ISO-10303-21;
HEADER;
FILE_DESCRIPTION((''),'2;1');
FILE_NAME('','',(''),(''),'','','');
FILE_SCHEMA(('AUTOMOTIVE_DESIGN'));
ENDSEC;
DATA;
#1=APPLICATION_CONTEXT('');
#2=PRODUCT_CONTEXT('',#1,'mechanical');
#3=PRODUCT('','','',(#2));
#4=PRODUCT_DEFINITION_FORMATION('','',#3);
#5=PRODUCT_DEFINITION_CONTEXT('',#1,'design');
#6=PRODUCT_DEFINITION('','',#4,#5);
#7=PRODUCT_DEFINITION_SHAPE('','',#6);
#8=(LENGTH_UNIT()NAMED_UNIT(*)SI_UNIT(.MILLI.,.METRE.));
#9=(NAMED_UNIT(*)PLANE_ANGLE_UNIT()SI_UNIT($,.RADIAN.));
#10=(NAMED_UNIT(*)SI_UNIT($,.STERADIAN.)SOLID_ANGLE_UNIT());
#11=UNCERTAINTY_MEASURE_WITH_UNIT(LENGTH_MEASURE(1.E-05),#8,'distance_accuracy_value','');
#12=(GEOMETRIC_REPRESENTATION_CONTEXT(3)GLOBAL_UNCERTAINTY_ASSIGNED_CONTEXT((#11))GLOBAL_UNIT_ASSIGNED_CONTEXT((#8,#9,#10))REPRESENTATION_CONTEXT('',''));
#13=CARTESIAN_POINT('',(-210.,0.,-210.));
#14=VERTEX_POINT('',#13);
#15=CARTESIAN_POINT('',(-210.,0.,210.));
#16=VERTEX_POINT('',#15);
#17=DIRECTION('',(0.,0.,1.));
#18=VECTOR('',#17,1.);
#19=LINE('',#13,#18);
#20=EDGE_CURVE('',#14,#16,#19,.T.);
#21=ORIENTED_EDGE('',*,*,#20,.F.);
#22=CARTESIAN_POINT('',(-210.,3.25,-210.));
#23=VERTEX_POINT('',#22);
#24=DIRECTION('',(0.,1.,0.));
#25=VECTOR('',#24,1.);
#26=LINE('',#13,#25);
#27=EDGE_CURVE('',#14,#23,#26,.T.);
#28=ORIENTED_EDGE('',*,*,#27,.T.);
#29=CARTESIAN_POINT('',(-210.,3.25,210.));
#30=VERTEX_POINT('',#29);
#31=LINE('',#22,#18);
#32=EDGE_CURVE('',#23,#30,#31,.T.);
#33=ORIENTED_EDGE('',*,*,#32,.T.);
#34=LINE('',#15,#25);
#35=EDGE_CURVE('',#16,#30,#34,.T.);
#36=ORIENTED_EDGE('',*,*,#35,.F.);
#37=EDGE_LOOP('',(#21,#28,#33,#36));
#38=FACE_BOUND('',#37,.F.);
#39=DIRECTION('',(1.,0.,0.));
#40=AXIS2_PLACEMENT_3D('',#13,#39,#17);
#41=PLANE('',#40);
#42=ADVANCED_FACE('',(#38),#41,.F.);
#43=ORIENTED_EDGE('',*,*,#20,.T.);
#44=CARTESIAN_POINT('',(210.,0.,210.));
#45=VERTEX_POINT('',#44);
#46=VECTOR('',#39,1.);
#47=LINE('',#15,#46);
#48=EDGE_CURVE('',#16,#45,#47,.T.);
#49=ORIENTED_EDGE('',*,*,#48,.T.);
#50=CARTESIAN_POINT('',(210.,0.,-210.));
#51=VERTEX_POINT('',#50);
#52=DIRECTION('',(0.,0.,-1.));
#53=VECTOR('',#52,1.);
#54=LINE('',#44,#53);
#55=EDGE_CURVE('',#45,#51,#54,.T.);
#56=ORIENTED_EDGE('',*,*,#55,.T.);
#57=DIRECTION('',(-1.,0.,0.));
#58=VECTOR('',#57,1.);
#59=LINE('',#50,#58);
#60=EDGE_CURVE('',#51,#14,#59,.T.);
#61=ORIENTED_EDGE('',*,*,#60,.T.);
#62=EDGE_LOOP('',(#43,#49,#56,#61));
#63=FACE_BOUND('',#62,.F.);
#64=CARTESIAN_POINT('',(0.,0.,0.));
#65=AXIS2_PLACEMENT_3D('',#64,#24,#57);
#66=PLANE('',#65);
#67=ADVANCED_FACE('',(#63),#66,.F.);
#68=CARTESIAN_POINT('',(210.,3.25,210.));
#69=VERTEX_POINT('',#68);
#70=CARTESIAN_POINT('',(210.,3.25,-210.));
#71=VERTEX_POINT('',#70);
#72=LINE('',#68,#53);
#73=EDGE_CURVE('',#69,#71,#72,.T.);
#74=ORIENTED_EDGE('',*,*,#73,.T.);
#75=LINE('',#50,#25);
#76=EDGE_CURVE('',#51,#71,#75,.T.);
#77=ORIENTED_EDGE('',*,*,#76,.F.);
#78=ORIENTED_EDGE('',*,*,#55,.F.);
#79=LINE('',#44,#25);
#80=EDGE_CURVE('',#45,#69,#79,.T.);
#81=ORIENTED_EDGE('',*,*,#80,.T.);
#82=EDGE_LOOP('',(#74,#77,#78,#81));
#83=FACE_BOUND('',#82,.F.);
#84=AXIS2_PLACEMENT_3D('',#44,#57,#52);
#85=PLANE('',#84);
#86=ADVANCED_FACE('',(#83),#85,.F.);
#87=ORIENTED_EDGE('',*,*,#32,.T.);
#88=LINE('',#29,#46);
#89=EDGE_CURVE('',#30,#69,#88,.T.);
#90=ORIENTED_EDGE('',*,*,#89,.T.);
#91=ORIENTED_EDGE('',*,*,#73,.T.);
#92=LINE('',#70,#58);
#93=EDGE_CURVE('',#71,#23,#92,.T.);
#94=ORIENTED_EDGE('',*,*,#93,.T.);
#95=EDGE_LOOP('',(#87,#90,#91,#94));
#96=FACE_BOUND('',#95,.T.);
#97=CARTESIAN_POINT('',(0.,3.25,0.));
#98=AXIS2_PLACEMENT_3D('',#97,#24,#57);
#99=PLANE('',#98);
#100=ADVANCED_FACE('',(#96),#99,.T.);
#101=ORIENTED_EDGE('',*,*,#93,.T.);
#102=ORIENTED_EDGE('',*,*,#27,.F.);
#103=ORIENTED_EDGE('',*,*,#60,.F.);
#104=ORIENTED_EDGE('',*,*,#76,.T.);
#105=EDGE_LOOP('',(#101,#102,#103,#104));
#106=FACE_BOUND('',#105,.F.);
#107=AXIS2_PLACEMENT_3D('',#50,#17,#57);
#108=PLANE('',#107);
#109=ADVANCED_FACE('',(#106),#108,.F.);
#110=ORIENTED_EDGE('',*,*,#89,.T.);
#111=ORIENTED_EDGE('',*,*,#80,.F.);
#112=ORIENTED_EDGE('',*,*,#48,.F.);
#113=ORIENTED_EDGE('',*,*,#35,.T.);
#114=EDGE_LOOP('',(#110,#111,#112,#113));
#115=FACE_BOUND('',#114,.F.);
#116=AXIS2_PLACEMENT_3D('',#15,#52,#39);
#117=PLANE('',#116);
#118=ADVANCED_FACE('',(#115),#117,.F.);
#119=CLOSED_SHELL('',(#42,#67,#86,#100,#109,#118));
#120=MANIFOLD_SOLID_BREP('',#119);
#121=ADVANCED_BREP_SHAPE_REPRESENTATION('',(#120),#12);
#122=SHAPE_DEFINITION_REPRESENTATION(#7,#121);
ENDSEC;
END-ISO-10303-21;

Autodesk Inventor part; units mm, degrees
ref_plane "YZ Plane" through (0, 0, 0) normal (1, 0, 0) x (0, 1, 0)
ref_plane "XZ Plane" through (0, 0, 0) normal (0, 1, 0) x (-1, 0, 0)
ref_plane "XY Plane" through (0, 0, 0) normal (0, 0, 1) x (1, 0, 0)
sketch "Sketch1" plane through (0, 0, 0) normal (0, 1, 0) x (-1, 0, 0)
  line L0 (210, 210) -> (-210, 210)
  line L1 (-210, 210) -> (-210, -210)
  line L2 (-210, -210) -> (210, -210)
  line L3 (210, -210) -> (210, 210)
  line L4 (210, 210) -> (-210, -210) construction
  line L5 (-210, 210) -> (210, -210) construction
  point P0 (0, 0)
  dimension "d0" = 420
  dimension "d1" = 420
extrude "Extrusion1" add sketch "Sketch1" along normal blind 3.25
sketch "Sketch3" plane through (0, 3.25, 0) normal (0, 1, 0) x (1, 0, 0)
  line L0 (210, -210) -> (210, 210) construction
  line L1 (210, 210) -> (-210, 210) construction
  line L2 (-210, 210) -> (-210, -210) construction
  line L3 (-210, -210) -> (210, -210) construction
  line L4 (-200, 200) -> (200, 200)
  line L5 (200, 200) -> (200, -200)
  line L6 (200, -200) -> (-200, -200)
  line L7 (-200, -200) -> (-200, 200)
  line L8 (-200, 200) -> (200, -200) construction
  line L9 (200, 200) -> (-200, -200) construction
  point P0 (0, 0)
  dimension "d9" = 400
  dimension "d10" = 400
properties part number "42X42_BASE_PLATAFORMA" material "UHMW, Black"
